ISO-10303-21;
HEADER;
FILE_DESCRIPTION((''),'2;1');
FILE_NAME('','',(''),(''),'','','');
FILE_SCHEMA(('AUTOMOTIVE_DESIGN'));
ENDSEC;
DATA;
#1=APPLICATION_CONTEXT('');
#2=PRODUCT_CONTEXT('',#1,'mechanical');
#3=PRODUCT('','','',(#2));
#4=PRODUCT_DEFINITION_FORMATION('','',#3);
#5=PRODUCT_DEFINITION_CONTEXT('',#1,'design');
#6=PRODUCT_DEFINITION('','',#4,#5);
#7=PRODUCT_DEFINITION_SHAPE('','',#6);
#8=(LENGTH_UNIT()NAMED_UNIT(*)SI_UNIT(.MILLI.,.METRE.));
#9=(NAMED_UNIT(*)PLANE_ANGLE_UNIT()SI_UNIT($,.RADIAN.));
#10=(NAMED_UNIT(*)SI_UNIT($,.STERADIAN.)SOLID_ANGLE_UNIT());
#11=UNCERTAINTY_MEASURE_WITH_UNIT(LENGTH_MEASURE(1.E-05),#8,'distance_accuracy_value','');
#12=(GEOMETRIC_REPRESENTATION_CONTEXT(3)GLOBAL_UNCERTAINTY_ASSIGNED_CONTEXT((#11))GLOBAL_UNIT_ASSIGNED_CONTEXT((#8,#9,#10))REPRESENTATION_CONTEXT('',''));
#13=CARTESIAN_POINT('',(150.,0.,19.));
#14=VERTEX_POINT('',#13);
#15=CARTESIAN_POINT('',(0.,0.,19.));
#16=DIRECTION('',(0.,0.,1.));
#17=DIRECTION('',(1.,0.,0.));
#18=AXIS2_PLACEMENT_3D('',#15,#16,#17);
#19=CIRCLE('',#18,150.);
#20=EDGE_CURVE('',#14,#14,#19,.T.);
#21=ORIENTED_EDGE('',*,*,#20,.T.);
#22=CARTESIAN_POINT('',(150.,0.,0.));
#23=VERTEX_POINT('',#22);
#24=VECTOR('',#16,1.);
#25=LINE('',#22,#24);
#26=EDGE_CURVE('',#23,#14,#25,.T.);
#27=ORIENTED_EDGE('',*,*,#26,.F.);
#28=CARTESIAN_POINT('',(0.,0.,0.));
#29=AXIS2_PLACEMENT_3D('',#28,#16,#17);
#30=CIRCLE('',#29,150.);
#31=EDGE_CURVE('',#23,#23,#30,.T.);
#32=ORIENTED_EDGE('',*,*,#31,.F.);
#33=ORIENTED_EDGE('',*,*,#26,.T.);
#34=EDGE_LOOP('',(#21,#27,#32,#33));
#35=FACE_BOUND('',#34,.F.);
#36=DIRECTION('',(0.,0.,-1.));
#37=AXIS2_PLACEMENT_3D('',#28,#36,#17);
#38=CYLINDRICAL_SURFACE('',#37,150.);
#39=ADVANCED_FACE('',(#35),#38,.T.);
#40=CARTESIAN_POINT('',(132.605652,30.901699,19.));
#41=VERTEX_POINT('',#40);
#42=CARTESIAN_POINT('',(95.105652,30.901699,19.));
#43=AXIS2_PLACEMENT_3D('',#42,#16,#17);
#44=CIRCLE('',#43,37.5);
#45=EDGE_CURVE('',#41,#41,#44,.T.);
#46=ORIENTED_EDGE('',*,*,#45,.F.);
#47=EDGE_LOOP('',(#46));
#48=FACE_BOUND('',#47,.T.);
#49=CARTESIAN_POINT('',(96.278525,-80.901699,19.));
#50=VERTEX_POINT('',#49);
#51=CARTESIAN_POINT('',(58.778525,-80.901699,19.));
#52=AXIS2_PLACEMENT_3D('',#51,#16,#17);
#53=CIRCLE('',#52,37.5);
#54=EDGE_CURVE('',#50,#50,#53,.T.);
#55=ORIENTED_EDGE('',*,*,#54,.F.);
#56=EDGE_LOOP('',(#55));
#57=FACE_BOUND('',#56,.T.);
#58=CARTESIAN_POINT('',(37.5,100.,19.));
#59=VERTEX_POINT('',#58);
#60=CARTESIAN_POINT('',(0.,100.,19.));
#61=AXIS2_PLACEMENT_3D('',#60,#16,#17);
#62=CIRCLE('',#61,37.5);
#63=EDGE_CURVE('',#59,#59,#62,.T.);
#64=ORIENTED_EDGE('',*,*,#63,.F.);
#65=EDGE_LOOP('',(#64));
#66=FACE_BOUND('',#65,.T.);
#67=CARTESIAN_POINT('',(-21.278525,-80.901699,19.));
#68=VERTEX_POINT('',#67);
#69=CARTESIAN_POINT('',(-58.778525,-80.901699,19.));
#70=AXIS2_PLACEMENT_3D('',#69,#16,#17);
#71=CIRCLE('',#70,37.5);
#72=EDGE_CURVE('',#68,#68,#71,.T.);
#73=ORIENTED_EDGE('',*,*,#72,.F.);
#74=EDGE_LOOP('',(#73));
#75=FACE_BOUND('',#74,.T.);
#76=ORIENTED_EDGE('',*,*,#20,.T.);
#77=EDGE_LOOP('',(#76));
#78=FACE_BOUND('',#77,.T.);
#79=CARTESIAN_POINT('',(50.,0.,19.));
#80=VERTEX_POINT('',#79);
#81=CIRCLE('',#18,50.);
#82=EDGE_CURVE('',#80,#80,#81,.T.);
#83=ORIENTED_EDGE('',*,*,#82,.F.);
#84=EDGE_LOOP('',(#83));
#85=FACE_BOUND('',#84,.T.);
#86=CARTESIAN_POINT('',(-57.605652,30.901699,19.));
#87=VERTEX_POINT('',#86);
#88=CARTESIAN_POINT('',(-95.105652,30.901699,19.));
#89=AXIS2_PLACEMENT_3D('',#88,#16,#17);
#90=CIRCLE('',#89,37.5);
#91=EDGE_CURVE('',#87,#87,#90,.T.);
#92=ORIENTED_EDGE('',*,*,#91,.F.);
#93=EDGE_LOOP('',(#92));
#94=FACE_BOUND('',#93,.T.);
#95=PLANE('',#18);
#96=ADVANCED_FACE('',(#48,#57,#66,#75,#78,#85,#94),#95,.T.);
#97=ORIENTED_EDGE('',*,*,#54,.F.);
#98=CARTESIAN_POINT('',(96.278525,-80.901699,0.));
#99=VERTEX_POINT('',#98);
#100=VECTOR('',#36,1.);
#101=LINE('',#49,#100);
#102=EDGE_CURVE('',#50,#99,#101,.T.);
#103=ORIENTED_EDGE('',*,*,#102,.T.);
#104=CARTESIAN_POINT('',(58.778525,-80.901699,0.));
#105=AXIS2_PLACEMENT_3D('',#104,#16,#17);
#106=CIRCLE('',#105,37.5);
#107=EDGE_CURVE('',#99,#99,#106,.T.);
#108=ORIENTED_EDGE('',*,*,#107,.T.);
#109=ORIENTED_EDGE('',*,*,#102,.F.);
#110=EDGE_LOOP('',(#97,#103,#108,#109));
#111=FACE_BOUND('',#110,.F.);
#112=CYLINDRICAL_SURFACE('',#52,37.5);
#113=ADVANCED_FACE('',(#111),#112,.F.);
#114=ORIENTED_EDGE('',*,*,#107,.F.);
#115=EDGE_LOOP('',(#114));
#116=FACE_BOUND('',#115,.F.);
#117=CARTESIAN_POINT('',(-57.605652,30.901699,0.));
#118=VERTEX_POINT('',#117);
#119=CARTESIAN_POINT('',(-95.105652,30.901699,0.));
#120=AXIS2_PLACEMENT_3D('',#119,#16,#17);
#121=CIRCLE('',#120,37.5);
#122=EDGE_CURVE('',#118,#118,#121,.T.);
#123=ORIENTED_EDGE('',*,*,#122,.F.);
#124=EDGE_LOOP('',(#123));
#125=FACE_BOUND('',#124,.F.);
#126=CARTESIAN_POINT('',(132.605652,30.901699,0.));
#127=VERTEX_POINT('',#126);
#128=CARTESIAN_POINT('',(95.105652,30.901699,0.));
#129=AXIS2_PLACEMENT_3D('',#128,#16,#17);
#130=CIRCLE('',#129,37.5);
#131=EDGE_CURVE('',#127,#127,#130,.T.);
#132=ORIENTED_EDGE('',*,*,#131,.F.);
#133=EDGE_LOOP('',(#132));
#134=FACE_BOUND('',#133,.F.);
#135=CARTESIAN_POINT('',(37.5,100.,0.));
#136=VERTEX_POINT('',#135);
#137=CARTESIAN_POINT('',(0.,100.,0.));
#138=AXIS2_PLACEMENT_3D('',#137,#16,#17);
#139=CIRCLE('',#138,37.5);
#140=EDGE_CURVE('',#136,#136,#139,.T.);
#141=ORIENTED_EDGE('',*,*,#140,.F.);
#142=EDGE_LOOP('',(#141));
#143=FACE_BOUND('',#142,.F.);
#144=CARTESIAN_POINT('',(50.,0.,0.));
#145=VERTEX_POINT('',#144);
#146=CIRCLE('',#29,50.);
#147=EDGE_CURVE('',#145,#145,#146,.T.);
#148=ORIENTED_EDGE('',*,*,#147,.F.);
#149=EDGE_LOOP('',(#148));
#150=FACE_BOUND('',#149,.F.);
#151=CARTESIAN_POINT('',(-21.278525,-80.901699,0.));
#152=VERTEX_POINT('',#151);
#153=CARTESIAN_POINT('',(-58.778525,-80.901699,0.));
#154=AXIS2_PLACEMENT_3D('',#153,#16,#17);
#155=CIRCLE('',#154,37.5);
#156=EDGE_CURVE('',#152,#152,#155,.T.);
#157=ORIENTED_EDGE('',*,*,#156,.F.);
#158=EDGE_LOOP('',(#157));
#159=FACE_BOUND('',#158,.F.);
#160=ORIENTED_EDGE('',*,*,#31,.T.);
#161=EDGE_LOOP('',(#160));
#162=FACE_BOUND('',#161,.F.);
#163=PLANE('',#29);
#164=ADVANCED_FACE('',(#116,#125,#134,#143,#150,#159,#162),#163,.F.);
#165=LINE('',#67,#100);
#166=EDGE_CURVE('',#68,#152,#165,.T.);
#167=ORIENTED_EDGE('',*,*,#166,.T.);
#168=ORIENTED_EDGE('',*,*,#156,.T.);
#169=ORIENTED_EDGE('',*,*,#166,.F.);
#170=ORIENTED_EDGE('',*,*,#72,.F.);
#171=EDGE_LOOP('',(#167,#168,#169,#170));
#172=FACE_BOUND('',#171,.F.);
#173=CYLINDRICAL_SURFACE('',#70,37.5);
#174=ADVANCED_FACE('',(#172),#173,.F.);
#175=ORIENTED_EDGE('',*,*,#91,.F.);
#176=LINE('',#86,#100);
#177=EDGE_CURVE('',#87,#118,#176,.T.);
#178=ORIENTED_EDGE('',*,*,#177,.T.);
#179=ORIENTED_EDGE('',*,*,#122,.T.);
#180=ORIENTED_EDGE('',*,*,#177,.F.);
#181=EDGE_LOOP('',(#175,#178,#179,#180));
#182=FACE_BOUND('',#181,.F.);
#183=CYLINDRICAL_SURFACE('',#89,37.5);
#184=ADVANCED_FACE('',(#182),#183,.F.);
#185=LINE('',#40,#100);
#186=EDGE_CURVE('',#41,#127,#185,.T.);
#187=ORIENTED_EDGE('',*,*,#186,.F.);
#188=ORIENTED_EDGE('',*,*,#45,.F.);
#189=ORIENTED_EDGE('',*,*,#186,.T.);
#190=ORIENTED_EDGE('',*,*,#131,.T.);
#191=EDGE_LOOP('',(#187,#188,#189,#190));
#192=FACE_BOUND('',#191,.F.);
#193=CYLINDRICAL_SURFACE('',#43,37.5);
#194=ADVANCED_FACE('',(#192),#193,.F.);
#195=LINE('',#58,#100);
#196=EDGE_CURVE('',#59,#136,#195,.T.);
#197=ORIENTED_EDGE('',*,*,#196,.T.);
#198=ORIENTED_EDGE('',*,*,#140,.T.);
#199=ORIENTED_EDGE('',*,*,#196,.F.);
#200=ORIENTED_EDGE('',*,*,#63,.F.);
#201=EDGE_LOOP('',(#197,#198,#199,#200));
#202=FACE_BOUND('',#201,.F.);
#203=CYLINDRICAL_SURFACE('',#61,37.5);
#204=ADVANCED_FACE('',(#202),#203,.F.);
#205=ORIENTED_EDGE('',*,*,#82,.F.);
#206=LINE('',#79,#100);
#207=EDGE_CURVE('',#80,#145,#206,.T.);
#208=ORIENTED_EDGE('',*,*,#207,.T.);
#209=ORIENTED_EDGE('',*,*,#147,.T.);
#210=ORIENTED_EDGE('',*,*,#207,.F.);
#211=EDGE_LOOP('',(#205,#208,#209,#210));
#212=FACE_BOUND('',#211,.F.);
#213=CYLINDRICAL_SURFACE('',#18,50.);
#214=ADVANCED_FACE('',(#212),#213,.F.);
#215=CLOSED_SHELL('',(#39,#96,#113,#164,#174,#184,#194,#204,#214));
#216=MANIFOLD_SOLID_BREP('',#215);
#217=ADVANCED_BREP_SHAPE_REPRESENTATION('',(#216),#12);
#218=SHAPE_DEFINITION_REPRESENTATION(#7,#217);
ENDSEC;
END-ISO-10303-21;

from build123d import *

# Parameters (mm, degrees)
F0_R     = 150
F1_DEPTH = 19
F2_R     = 50
F2_R_2   = 37.5
F3_DEPTH = 53


with BuildPart() as f1:
    # F0 (on Top) → F1 (new body)
    with BuildSketch(Plane.XY):
        Circle(F0_R)
    extrude(amount=F1_DEPTH)

    # F2 (on face) → F3 (cut)
    with BuildSketch(Plane.XY.offset(19)):
        Circle(F2_R)
        with Locations((0, 100)):
            Circle(F2_R_2)
        with Locations((-95.105652, 30.901699)):
            Circle(F2_R_2)
        with Locations((-58.778525, -80.901699)):
            Circle(F2_R_2)
        with Locations((58.778525, -80.901699)):
            Circle(F2_R_2)
        with Locations((95.105652, 30.901699)):
            Circle(F2_R_2)
    extrude(amount=-F3_DEPTH, mode=Mode.SUBTRACT)


solid = f1.part
